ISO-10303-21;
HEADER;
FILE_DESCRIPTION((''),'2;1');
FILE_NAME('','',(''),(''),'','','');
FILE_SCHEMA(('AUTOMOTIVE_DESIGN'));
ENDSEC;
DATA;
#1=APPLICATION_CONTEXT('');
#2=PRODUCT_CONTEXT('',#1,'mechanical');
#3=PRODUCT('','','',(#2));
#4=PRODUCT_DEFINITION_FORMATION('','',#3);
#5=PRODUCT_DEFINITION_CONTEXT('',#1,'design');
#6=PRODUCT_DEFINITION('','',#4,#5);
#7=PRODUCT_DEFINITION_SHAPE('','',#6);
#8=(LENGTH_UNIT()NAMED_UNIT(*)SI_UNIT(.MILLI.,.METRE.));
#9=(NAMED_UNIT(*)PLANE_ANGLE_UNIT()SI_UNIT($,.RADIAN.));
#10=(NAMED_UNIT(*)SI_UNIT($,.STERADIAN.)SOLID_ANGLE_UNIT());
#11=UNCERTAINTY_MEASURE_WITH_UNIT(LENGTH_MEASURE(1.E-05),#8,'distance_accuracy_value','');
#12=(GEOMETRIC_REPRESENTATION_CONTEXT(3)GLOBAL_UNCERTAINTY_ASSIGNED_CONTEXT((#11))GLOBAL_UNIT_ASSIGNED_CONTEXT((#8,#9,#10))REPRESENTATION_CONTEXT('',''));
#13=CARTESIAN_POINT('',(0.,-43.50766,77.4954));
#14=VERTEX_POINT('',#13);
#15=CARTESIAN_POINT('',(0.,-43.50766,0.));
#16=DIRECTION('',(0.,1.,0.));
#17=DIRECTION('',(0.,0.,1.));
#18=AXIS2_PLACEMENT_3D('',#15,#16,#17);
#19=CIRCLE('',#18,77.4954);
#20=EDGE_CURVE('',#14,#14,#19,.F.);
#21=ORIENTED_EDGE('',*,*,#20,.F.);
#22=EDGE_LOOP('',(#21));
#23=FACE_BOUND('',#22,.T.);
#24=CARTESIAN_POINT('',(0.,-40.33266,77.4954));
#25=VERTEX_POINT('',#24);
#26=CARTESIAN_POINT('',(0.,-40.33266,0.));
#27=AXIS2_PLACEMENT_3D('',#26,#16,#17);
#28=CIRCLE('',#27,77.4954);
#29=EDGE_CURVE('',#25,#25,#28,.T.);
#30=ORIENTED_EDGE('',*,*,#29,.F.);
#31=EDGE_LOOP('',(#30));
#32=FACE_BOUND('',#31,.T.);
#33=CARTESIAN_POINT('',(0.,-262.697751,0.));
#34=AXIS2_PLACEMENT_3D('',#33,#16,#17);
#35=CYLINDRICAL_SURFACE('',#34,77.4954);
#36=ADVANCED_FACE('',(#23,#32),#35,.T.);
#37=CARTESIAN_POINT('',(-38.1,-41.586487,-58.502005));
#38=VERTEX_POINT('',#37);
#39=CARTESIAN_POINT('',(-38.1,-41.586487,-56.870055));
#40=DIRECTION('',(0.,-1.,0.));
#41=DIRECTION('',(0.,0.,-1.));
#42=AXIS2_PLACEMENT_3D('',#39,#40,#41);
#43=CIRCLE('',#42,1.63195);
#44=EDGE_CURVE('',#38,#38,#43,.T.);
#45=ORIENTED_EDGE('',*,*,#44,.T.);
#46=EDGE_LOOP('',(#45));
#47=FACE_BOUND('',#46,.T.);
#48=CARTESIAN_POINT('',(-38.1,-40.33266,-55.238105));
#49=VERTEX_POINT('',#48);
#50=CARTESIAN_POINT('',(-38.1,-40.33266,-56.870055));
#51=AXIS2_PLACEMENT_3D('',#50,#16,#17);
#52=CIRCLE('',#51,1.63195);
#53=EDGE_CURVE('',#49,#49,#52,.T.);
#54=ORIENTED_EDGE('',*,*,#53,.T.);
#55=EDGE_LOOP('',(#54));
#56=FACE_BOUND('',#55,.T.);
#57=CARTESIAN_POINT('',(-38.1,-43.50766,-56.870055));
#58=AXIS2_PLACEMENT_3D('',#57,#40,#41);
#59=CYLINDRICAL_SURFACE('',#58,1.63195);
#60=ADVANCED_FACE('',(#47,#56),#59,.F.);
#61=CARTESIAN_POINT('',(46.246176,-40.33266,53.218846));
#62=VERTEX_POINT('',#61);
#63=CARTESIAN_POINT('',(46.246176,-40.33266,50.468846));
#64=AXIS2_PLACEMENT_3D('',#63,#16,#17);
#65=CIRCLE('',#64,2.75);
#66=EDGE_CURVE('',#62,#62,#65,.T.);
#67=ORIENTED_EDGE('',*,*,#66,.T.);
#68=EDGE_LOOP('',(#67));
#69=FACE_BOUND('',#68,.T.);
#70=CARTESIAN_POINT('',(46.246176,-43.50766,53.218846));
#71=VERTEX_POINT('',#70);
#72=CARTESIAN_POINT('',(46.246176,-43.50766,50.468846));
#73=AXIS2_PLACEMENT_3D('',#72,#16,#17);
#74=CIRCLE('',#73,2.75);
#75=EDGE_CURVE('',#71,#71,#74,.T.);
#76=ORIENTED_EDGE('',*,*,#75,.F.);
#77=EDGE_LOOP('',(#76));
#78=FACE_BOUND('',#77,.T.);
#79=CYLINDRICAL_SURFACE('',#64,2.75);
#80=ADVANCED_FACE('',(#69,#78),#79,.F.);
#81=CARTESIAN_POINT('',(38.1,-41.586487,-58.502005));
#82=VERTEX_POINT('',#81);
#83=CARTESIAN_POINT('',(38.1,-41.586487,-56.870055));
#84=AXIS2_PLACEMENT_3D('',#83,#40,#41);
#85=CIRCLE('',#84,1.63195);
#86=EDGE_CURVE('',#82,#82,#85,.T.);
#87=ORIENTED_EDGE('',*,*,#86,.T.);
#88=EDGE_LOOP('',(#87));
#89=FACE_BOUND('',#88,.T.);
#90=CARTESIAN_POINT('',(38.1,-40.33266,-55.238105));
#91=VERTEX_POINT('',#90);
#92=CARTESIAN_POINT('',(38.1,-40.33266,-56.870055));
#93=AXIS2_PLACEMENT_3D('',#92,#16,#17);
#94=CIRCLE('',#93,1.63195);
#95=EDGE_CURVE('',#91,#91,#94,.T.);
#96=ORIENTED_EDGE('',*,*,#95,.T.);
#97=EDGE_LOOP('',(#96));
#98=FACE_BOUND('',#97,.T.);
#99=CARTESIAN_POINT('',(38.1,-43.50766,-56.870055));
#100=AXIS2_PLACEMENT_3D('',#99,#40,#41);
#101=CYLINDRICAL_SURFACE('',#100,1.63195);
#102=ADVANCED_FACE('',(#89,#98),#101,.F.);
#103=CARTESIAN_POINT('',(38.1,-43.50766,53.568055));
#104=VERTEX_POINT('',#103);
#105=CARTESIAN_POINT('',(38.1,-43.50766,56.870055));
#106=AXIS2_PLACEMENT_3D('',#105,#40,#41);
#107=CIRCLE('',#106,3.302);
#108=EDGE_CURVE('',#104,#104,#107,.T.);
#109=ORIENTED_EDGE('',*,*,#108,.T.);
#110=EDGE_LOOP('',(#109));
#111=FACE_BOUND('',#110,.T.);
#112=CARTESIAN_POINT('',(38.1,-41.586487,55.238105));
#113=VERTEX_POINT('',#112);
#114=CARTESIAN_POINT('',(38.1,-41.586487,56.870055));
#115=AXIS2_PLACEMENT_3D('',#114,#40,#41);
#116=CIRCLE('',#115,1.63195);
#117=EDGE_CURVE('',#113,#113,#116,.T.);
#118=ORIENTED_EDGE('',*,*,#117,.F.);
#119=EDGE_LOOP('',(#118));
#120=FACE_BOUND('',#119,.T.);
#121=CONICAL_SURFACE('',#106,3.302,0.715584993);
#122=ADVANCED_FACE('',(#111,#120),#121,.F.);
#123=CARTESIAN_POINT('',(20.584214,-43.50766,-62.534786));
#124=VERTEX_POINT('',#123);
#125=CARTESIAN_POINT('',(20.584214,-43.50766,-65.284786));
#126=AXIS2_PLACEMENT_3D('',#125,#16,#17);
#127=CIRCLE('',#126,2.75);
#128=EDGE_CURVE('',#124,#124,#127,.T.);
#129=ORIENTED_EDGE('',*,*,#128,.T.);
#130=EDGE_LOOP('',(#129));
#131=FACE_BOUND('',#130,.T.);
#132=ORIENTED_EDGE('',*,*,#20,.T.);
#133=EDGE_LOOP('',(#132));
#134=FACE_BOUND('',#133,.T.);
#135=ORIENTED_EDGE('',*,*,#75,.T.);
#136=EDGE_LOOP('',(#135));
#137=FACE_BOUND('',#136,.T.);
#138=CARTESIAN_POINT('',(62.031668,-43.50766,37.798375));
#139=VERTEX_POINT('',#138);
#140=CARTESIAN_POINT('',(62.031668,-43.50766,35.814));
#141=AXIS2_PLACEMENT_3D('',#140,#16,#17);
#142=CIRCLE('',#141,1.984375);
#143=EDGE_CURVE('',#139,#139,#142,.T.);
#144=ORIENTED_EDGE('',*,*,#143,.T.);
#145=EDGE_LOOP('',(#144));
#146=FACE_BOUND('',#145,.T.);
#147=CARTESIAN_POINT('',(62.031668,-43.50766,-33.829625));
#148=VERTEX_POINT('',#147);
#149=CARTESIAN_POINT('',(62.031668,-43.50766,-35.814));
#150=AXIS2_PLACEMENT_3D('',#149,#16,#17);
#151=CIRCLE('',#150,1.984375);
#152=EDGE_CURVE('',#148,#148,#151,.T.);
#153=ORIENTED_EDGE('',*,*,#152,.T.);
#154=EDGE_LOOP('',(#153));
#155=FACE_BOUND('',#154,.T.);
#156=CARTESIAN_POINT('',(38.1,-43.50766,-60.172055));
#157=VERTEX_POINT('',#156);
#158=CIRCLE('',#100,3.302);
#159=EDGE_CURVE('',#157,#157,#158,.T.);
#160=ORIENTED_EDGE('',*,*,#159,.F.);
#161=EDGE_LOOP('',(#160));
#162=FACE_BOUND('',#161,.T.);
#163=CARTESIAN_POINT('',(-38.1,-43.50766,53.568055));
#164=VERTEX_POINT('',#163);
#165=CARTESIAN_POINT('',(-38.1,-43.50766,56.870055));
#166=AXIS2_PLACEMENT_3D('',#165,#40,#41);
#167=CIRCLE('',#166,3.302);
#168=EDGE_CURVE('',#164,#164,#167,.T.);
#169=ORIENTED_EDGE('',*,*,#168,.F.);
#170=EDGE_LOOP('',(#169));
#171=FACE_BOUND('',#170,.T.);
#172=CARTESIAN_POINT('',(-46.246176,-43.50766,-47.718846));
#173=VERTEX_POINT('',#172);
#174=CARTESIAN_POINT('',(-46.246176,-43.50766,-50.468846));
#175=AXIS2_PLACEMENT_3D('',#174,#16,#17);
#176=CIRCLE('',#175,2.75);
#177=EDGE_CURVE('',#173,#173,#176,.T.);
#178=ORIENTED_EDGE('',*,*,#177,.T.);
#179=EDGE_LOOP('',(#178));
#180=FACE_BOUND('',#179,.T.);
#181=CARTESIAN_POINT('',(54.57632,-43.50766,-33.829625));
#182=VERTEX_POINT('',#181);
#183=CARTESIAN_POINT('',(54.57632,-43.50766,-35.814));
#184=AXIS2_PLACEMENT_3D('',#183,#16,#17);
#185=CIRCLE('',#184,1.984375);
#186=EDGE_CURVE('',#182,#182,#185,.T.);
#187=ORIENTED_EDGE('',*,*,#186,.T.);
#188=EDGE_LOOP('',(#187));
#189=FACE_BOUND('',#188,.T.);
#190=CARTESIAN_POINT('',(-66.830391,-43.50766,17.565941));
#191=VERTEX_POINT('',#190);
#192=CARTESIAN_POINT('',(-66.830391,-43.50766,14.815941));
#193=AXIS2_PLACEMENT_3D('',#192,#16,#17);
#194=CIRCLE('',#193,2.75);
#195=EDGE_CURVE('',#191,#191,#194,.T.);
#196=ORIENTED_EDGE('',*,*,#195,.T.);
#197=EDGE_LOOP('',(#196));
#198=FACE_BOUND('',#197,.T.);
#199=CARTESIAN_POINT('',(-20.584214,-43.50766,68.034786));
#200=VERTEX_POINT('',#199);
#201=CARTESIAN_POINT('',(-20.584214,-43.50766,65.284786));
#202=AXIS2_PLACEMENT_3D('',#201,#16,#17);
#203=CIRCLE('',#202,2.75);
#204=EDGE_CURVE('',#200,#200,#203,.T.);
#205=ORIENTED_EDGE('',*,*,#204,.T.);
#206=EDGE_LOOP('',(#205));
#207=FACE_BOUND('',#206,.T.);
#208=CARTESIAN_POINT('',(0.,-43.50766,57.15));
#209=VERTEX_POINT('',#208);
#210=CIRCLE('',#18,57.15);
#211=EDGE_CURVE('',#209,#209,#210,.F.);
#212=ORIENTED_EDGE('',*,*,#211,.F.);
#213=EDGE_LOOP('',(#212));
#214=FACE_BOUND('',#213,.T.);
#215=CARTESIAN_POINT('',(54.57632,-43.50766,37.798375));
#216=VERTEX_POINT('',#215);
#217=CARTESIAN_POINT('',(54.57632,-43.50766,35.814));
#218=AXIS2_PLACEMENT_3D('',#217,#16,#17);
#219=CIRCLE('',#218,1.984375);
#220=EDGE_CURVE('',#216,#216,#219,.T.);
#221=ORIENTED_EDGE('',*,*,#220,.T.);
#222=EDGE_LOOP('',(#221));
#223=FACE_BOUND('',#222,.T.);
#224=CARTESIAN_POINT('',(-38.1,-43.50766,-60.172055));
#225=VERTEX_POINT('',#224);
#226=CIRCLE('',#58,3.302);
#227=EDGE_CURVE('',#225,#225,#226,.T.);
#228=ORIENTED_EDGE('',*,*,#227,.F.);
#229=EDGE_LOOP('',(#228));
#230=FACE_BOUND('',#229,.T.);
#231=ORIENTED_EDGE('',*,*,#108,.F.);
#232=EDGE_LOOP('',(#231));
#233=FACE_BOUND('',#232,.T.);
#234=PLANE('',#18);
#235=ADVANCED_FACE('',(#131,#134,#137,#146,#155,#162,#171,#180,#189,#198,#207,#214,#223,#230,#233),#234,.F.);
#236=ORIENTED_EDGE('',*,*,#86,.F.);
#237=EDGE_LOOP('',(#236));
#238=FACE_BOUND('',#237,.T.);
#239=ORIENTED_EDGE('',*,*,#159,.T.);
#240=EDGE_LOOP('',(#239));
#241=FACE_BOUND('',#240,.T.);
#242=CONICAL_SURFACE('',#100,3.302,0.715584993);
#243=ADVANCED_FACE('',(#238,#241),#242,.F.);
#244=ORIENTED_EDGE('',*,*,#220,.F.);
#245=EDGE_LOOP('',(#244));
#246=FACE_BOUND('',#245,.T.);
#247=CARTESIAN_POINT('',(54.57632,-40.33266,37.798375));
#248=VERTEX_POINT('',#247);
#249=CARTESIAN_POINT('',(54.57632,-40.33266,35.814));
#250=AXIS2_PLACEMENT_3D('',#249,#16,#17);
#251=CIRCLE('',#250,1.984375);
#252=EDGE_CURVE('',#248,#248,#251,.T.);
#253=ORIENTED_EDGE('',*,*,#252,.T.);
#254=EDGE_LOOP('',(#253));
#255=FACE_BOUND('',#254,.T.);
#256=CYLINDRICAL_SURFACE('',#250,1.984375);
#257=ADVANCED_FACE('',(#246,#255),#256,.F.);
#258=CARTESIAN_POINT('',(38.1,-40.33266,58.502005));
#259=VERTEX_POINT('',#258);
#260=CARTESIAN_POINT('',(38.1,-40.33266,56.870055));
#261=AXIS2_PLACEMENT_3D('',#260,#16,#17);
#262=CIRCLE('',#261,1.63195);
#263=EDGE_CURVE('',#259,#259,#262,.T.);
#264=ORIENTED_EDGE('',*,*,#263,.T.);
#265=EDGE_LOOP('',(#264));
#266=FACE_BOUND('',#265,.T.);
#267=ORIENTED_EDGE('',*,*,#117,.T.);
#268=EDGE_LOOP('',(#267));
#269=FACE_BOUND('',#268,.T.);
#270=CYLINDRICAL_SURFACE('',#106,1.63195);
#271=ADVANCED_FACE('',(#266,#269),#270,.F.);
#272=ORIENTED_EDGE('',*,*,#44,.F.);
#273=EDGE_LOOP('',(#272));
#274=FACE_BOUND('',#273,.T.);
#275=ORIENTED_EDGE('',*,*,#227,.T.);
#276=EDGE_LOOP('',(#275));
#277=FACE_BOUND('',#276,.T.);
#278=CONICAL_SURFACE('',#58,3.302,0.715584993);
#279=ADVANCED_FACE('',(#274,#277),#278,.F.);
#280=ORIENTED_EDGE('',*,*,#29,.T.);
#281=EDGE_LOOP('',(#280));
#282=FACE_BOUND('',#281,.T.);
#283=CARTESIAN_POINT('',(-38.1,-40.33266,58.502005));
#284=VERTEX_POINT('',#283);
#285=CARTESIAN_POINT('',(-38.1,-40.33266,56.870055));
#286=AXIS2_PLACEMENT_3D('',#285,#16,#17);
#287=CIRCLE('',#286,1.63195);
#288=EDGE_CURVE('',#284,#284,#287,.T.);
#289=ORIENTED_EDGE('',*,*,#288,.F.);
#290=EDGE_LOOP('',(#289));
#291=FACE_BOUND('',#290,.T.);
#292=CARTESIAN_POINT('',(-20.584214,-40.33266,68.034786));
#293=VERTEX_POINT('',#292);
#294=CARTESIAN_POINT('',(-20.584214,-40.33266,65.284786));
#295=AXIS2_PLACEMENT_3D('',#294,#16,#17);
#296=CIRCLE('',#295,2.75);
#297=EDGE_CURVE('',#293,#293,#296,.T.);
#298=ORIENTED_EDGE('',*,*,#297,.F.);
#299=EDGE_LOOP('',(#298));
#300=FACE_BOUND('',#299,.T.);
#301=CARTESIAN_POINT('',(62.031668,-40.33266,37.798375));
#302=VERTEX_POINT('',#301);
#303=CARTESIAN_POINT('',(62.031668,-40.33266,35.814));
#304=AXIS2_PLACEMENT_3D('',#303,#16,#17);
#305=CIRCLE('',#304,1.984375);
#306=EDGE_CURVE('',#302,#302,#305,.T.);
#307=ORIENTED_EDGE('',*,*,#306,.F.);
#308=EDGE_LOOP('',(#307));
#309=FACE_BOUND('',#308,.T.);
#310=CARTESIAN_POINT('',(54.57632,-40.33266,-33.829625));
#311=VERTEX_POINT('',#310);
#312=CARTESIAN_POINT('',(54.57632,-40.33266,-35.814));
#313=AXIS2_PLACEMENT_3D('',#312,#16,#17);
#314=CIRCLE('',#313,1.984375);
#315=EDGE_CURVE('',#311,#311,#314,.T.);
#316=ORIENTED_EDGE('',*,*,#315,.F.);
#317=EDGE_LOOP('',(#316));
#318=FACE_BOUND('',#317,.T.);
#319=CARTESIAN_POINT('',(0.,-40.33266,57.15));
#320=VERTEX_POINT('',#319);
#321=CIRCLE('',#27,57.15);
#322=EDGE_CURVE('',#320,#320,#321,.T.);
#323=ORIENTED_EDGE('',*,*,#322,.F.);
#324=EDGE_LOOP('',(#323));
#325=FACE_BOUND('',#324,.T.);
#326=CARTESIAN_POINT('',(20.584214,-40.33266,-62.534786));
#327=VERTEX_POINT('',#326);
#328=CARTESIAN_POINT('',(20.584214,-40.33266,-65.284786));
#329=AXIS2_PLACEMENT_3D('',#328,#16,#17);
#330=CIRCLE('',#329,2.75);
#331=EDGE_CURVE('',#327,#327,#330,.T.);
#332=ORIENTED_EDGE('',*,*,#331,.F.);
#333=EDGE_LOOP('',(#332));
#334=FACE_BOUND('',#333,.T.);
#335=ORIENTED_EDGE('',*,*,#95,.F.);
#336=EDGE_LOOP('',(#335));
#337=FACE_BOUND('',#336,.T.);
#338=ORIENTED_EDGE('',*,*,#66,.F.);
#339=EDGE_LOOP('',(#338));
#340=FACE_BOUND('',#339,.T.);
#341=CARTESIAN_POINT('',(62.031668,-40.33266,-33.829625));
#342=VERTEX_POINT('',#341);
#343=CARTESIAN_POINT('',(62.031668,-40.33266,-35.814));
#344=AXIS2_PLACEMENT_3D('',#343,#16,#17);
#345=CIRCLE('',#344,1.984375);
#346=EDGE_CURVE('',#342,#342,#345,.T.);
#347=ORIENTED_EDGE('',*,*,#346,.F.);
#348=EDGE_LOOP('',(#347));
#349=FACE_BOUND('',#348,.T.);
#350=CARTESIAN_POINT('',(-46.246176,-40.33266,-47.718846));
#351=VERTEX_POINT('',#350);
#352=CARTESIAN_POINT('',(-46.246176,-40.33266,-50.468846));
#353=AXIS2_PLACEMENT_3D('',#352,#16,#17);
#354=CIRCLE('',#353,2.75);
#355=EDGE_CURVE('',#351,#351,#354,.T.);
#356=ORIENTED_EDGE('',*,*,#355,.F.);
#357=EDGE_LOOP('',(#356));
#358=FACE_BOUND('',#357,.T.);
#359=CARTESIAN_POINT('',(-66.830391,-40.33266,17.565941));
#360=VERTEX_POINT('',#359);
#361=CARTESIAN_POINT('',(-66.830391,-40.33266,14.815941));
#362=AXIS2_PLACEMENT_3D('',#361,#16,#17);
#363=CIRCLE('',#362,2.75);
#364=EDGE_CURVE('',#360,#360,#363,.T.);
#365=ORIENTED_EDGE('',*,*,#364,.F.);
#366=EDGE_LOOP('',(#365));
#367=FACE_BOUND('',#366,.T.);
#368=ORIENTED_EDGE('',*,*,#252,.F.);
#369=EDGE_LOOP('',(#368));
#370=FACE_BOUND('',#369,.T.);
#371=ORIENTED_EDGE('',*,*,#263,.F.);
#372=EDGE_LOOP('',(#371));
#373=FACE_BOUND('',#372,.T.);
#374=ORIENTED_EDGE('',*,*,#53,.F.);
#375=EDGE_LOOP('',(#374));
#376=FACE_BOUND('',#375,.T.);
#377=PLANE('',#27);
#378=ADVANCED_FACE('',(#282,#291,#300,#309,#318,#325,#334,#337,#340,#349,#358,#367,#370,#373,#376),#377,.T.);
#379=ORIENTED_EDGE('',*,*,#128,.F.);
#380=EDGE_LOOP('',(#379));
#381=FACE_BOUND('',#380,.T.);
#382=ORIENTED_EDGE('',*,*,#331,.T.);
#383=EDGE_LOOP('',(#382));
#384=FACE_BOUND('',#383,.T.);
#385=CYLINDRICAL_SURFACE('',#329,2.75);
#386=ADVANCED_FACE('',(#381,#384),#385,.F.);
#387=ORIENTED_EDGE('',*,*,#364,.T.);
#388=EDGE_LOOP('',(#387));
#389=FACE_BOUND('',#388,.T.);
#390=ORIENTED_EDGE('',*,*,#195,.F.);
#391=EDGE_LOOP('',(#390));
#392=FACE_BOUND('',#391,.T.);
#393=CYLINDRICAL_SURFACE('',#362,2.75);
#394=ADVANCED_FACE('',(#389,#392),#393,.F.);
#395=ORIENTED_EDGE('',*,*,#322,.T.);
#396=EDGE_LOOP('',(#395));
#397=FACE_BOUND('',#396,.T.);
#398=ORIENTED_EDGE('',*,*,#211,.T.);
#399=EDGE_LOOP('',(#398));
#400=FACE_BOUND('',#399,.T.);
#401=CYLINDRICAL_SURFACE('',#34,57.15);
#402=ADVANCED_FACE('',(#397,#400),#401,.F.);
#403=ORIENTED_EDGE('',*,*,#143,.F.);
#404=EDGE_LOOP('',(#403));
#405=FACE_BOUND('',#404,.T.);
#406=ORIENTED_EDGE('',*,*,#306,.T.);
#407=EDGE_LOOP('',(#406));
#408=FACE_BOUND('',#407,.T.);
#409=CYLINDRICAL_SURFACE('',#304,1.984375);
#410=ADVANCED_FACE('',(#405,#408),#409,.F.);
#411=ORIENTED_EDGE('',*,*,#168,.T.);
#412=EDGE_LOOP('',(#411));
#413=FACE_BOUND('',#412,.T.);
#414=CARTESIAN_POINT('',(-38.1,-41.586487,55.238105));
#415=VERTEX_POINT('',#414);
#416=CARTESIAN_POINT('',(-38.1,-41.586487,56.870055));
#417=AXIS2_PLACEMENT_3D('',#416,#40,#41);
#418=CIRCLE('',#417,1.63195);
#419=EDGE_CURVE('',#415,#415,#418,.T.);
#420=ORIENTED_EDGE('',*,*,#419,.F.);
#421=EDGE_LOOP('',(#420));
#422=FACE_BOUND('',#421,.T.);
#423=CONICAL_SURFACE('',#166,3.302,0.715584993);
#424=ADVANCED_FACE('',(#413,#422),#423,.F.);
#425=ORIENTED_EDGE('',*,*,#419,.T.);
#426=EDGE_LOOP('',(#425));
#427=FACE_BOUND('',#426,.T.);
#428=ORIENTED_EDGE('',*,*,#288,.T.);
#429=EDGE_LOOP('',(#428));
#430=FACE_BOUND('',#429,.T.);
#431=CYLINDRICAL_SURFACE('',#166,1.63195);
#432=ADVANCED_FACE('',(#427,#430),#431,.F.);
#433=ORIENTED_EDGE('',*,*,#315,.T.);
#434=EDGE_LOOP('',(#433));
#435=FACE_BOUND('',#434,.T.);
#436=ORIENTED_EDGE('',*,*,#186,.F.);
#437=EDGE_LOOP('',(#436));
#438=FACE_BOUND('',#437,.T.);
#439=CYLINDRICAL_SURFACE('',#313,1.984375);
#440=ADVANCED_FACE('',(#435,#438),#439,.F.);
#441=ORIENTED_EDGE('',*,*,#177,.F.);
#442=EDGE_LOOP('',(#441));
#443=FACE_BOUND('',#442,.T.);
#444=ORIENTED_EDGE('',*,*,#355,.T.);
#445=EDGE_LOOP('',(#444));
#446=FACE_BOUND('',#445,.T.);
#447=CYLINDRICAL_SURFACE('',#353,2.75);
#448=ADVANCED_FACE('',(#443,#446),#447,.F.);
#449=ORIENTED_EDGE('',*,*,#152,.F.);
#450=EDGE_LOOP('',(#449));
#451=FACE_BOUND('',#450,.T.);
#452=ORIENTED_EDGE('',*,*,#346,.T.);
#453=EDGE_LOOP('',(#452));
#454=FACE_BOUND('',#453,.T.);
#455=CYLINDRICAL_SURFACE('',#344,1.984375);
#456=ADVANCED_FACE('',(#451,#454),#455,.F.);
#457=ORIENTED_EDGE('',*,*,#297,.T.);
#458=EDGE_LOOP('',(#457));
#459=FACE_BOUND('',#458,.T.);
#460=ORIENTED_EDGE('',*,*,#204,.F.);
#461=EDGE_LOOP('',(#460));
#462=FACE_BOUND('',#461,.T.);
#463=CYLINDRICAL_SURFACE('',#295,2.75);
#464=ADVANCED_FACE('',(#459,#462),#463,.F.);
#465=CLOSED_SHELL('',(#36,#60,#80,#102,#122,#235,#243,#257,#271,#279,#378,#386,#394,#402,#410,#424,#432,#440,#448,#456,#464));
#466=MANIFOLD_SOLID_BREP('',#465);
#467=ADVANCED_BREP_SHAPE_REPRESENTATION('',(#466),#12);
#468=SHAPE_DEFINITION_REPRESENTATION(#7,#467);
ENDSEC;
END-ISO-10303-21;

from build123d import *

# Parameters (mm, degrees)
GEMINI_SKIRT_F_2_R                            = 77.4954
GEMINI_SKIRT_F_2_R_2                          = 57.15
GEMINI_SKIRT_F_DEPTH                          = 3.175
M5_CLEARANCE_HOLE1_D                          = 5.5
M5_CLEARANCE_HOLE1_DEPTH                      = 3.175
CSK_FOR_4_FLAT_HEAD_MACHINE_SCREW1_AT_2_COUNT = 2
CSK_FOR_4_FLAT_HEAD_MACHINE_SCREW1_AT_2_PITCH = 76.2
CSK_FOR_4_FLAT_HEAD_MACHINE_SCREW1_AT_3_COUNT = 2
CSK_FOR_4_FLAT_HEAD_MACHINE_SCREW1_AT_3_PITCH = 113.740110937
CSK_FOR_4_FLAT_HEAD_MACHINE_SCREW1_AT_4_COUNT = 2
CSK_FOR_4_FLAT_HEAD_MACHINE_SCREW1_AT_4_PITCH = 136.906
F_5_32_0_15625_DIAMETER_HOLE1_D               = 3.96875
F_5_32_0_15625_DIAMETER_HOLE1_DEPTH           = 3.175


with BuildPart() as part:
    # GEMINI_SKIRT-F 2 → GEMINI_SKIRT_F (new body)
    with BuildSketch(Plane(origin=(0, -40.33266, 0), x_dir=(1, 0, 0), z_dir=(0, 1, 0))):
        Circle(GEMINI_SKIRT_F_2_R)
        Circle(GEMINI_SKIRT_F_2_R_2, mode=Mode.SUBTRACT)
    extrude(amount=-GEMINI_SKIRT_F_DEPTH)

    # M5 Clearance Hole1
    with Locations(Plane(origin=(0, -40.33266, 0), x_dir=(1, 0, 0), z_dir=(0, 1, 0))):
        with Locations((20.584214093, 65.28478643), (46.246176482, -50.468845537), (-20.584214093, -65.28478643), (-46.246176482, 50.468845537), (-66.830390575, -14.815940893)):
            Hole(M5_CLEARANCE_HOLE1_D / 2, depth=M5_CLEARANCE_HOLE1_DEPTH)

    # Sketch8 → CSK for #4 Flat Head Machine Screw1 (revolve, cut)
    with BuildSketch(Plane(origin=(38.1, -43.50766, -56.870055469), x_dir=(0, 0, -1), z_dir=(1, 0, 0))):
        Polygon((0, 0), (0, 3.175), (1.63195, 3.175), (1.63195, 1.921172758), (3.302, 0), align=None)
    csk_for_4_flat_head_machine_screw1 = revolve(axis=Axis((38.1, -49.85766, -56.870055469), (0, 1, 0)), mode=Mode.SUBTRACT)

    # CSK for #4 Flat Head Machine Screw1 at 2: CSK for #4 Flat Head Machine Screw1 ×2
    with Locations(*[(-i * CSK_FOR_4_FLAT_HEAD_MACHINE_SCREW1_AT_2_PITCH, 0, 0) for i in range(1, CSK_FOR_4_FLAT_HEAD_MACHINE_SCREW1_AT_2_COUNT)]):
        add(csk_for_4_flat_head_machine_screw1, mode=Mode.SUBTRACT)

    # CSK for #4 Flat Head Machine Screw1 at 3: CSK for #4 Flat Head Machine Screw1 ×2
    with Locations(*[(0, 0, i * CSK_FOR_4_FLAT_HEAD_MACHINE_SCREW1_AT_3_PITCH) for i in range(1, CSK_FOR_4_FLAT_HEAD_MACHINE_SCREW1_AT_3_COUNT)]):
        add(csk_for_4_flat_head_machine_screw1, mode=Mode.SUBTRACT)

    # CSK for #4 Flat Head Machine Screw1 at 4: CSK for #4 Flat Head Machine Screw1 ×2
    with Locations(*[Vector(-0.556586271, 0, 0.830789819) * (i * CSK_FOR_4_FLAT_HEAD_MACHINE_SCREW1_AT_4_PITCH) for i in range(1, CSK_FOR_4_FLAT_HEAD_MACHINE_SCREW1_AT_4_COUNT)]):
        add(csk_for_4_flat_head_machine_screw1, mode=Mode.SUBTRACT)

    # 5/32 (0.15625) Diameter Hole1
    with Locations(Plane(origin=(0, -40.33266, 0), x_dir=(1, 0, 0), z_dir=(0, 1, 0))):
        with Locations((62.031667622, -35.814), (54.576319847, -35.814), (54.576319847, 35.814), (62.031667622, 35.814)):
            Hole(F_5_32_0_15625_DIAMETER_HOLE1_D / 2, depth=F_5_32_0_15625_DIAMETER_HOLE1_DEPTH)


solid = part.part
